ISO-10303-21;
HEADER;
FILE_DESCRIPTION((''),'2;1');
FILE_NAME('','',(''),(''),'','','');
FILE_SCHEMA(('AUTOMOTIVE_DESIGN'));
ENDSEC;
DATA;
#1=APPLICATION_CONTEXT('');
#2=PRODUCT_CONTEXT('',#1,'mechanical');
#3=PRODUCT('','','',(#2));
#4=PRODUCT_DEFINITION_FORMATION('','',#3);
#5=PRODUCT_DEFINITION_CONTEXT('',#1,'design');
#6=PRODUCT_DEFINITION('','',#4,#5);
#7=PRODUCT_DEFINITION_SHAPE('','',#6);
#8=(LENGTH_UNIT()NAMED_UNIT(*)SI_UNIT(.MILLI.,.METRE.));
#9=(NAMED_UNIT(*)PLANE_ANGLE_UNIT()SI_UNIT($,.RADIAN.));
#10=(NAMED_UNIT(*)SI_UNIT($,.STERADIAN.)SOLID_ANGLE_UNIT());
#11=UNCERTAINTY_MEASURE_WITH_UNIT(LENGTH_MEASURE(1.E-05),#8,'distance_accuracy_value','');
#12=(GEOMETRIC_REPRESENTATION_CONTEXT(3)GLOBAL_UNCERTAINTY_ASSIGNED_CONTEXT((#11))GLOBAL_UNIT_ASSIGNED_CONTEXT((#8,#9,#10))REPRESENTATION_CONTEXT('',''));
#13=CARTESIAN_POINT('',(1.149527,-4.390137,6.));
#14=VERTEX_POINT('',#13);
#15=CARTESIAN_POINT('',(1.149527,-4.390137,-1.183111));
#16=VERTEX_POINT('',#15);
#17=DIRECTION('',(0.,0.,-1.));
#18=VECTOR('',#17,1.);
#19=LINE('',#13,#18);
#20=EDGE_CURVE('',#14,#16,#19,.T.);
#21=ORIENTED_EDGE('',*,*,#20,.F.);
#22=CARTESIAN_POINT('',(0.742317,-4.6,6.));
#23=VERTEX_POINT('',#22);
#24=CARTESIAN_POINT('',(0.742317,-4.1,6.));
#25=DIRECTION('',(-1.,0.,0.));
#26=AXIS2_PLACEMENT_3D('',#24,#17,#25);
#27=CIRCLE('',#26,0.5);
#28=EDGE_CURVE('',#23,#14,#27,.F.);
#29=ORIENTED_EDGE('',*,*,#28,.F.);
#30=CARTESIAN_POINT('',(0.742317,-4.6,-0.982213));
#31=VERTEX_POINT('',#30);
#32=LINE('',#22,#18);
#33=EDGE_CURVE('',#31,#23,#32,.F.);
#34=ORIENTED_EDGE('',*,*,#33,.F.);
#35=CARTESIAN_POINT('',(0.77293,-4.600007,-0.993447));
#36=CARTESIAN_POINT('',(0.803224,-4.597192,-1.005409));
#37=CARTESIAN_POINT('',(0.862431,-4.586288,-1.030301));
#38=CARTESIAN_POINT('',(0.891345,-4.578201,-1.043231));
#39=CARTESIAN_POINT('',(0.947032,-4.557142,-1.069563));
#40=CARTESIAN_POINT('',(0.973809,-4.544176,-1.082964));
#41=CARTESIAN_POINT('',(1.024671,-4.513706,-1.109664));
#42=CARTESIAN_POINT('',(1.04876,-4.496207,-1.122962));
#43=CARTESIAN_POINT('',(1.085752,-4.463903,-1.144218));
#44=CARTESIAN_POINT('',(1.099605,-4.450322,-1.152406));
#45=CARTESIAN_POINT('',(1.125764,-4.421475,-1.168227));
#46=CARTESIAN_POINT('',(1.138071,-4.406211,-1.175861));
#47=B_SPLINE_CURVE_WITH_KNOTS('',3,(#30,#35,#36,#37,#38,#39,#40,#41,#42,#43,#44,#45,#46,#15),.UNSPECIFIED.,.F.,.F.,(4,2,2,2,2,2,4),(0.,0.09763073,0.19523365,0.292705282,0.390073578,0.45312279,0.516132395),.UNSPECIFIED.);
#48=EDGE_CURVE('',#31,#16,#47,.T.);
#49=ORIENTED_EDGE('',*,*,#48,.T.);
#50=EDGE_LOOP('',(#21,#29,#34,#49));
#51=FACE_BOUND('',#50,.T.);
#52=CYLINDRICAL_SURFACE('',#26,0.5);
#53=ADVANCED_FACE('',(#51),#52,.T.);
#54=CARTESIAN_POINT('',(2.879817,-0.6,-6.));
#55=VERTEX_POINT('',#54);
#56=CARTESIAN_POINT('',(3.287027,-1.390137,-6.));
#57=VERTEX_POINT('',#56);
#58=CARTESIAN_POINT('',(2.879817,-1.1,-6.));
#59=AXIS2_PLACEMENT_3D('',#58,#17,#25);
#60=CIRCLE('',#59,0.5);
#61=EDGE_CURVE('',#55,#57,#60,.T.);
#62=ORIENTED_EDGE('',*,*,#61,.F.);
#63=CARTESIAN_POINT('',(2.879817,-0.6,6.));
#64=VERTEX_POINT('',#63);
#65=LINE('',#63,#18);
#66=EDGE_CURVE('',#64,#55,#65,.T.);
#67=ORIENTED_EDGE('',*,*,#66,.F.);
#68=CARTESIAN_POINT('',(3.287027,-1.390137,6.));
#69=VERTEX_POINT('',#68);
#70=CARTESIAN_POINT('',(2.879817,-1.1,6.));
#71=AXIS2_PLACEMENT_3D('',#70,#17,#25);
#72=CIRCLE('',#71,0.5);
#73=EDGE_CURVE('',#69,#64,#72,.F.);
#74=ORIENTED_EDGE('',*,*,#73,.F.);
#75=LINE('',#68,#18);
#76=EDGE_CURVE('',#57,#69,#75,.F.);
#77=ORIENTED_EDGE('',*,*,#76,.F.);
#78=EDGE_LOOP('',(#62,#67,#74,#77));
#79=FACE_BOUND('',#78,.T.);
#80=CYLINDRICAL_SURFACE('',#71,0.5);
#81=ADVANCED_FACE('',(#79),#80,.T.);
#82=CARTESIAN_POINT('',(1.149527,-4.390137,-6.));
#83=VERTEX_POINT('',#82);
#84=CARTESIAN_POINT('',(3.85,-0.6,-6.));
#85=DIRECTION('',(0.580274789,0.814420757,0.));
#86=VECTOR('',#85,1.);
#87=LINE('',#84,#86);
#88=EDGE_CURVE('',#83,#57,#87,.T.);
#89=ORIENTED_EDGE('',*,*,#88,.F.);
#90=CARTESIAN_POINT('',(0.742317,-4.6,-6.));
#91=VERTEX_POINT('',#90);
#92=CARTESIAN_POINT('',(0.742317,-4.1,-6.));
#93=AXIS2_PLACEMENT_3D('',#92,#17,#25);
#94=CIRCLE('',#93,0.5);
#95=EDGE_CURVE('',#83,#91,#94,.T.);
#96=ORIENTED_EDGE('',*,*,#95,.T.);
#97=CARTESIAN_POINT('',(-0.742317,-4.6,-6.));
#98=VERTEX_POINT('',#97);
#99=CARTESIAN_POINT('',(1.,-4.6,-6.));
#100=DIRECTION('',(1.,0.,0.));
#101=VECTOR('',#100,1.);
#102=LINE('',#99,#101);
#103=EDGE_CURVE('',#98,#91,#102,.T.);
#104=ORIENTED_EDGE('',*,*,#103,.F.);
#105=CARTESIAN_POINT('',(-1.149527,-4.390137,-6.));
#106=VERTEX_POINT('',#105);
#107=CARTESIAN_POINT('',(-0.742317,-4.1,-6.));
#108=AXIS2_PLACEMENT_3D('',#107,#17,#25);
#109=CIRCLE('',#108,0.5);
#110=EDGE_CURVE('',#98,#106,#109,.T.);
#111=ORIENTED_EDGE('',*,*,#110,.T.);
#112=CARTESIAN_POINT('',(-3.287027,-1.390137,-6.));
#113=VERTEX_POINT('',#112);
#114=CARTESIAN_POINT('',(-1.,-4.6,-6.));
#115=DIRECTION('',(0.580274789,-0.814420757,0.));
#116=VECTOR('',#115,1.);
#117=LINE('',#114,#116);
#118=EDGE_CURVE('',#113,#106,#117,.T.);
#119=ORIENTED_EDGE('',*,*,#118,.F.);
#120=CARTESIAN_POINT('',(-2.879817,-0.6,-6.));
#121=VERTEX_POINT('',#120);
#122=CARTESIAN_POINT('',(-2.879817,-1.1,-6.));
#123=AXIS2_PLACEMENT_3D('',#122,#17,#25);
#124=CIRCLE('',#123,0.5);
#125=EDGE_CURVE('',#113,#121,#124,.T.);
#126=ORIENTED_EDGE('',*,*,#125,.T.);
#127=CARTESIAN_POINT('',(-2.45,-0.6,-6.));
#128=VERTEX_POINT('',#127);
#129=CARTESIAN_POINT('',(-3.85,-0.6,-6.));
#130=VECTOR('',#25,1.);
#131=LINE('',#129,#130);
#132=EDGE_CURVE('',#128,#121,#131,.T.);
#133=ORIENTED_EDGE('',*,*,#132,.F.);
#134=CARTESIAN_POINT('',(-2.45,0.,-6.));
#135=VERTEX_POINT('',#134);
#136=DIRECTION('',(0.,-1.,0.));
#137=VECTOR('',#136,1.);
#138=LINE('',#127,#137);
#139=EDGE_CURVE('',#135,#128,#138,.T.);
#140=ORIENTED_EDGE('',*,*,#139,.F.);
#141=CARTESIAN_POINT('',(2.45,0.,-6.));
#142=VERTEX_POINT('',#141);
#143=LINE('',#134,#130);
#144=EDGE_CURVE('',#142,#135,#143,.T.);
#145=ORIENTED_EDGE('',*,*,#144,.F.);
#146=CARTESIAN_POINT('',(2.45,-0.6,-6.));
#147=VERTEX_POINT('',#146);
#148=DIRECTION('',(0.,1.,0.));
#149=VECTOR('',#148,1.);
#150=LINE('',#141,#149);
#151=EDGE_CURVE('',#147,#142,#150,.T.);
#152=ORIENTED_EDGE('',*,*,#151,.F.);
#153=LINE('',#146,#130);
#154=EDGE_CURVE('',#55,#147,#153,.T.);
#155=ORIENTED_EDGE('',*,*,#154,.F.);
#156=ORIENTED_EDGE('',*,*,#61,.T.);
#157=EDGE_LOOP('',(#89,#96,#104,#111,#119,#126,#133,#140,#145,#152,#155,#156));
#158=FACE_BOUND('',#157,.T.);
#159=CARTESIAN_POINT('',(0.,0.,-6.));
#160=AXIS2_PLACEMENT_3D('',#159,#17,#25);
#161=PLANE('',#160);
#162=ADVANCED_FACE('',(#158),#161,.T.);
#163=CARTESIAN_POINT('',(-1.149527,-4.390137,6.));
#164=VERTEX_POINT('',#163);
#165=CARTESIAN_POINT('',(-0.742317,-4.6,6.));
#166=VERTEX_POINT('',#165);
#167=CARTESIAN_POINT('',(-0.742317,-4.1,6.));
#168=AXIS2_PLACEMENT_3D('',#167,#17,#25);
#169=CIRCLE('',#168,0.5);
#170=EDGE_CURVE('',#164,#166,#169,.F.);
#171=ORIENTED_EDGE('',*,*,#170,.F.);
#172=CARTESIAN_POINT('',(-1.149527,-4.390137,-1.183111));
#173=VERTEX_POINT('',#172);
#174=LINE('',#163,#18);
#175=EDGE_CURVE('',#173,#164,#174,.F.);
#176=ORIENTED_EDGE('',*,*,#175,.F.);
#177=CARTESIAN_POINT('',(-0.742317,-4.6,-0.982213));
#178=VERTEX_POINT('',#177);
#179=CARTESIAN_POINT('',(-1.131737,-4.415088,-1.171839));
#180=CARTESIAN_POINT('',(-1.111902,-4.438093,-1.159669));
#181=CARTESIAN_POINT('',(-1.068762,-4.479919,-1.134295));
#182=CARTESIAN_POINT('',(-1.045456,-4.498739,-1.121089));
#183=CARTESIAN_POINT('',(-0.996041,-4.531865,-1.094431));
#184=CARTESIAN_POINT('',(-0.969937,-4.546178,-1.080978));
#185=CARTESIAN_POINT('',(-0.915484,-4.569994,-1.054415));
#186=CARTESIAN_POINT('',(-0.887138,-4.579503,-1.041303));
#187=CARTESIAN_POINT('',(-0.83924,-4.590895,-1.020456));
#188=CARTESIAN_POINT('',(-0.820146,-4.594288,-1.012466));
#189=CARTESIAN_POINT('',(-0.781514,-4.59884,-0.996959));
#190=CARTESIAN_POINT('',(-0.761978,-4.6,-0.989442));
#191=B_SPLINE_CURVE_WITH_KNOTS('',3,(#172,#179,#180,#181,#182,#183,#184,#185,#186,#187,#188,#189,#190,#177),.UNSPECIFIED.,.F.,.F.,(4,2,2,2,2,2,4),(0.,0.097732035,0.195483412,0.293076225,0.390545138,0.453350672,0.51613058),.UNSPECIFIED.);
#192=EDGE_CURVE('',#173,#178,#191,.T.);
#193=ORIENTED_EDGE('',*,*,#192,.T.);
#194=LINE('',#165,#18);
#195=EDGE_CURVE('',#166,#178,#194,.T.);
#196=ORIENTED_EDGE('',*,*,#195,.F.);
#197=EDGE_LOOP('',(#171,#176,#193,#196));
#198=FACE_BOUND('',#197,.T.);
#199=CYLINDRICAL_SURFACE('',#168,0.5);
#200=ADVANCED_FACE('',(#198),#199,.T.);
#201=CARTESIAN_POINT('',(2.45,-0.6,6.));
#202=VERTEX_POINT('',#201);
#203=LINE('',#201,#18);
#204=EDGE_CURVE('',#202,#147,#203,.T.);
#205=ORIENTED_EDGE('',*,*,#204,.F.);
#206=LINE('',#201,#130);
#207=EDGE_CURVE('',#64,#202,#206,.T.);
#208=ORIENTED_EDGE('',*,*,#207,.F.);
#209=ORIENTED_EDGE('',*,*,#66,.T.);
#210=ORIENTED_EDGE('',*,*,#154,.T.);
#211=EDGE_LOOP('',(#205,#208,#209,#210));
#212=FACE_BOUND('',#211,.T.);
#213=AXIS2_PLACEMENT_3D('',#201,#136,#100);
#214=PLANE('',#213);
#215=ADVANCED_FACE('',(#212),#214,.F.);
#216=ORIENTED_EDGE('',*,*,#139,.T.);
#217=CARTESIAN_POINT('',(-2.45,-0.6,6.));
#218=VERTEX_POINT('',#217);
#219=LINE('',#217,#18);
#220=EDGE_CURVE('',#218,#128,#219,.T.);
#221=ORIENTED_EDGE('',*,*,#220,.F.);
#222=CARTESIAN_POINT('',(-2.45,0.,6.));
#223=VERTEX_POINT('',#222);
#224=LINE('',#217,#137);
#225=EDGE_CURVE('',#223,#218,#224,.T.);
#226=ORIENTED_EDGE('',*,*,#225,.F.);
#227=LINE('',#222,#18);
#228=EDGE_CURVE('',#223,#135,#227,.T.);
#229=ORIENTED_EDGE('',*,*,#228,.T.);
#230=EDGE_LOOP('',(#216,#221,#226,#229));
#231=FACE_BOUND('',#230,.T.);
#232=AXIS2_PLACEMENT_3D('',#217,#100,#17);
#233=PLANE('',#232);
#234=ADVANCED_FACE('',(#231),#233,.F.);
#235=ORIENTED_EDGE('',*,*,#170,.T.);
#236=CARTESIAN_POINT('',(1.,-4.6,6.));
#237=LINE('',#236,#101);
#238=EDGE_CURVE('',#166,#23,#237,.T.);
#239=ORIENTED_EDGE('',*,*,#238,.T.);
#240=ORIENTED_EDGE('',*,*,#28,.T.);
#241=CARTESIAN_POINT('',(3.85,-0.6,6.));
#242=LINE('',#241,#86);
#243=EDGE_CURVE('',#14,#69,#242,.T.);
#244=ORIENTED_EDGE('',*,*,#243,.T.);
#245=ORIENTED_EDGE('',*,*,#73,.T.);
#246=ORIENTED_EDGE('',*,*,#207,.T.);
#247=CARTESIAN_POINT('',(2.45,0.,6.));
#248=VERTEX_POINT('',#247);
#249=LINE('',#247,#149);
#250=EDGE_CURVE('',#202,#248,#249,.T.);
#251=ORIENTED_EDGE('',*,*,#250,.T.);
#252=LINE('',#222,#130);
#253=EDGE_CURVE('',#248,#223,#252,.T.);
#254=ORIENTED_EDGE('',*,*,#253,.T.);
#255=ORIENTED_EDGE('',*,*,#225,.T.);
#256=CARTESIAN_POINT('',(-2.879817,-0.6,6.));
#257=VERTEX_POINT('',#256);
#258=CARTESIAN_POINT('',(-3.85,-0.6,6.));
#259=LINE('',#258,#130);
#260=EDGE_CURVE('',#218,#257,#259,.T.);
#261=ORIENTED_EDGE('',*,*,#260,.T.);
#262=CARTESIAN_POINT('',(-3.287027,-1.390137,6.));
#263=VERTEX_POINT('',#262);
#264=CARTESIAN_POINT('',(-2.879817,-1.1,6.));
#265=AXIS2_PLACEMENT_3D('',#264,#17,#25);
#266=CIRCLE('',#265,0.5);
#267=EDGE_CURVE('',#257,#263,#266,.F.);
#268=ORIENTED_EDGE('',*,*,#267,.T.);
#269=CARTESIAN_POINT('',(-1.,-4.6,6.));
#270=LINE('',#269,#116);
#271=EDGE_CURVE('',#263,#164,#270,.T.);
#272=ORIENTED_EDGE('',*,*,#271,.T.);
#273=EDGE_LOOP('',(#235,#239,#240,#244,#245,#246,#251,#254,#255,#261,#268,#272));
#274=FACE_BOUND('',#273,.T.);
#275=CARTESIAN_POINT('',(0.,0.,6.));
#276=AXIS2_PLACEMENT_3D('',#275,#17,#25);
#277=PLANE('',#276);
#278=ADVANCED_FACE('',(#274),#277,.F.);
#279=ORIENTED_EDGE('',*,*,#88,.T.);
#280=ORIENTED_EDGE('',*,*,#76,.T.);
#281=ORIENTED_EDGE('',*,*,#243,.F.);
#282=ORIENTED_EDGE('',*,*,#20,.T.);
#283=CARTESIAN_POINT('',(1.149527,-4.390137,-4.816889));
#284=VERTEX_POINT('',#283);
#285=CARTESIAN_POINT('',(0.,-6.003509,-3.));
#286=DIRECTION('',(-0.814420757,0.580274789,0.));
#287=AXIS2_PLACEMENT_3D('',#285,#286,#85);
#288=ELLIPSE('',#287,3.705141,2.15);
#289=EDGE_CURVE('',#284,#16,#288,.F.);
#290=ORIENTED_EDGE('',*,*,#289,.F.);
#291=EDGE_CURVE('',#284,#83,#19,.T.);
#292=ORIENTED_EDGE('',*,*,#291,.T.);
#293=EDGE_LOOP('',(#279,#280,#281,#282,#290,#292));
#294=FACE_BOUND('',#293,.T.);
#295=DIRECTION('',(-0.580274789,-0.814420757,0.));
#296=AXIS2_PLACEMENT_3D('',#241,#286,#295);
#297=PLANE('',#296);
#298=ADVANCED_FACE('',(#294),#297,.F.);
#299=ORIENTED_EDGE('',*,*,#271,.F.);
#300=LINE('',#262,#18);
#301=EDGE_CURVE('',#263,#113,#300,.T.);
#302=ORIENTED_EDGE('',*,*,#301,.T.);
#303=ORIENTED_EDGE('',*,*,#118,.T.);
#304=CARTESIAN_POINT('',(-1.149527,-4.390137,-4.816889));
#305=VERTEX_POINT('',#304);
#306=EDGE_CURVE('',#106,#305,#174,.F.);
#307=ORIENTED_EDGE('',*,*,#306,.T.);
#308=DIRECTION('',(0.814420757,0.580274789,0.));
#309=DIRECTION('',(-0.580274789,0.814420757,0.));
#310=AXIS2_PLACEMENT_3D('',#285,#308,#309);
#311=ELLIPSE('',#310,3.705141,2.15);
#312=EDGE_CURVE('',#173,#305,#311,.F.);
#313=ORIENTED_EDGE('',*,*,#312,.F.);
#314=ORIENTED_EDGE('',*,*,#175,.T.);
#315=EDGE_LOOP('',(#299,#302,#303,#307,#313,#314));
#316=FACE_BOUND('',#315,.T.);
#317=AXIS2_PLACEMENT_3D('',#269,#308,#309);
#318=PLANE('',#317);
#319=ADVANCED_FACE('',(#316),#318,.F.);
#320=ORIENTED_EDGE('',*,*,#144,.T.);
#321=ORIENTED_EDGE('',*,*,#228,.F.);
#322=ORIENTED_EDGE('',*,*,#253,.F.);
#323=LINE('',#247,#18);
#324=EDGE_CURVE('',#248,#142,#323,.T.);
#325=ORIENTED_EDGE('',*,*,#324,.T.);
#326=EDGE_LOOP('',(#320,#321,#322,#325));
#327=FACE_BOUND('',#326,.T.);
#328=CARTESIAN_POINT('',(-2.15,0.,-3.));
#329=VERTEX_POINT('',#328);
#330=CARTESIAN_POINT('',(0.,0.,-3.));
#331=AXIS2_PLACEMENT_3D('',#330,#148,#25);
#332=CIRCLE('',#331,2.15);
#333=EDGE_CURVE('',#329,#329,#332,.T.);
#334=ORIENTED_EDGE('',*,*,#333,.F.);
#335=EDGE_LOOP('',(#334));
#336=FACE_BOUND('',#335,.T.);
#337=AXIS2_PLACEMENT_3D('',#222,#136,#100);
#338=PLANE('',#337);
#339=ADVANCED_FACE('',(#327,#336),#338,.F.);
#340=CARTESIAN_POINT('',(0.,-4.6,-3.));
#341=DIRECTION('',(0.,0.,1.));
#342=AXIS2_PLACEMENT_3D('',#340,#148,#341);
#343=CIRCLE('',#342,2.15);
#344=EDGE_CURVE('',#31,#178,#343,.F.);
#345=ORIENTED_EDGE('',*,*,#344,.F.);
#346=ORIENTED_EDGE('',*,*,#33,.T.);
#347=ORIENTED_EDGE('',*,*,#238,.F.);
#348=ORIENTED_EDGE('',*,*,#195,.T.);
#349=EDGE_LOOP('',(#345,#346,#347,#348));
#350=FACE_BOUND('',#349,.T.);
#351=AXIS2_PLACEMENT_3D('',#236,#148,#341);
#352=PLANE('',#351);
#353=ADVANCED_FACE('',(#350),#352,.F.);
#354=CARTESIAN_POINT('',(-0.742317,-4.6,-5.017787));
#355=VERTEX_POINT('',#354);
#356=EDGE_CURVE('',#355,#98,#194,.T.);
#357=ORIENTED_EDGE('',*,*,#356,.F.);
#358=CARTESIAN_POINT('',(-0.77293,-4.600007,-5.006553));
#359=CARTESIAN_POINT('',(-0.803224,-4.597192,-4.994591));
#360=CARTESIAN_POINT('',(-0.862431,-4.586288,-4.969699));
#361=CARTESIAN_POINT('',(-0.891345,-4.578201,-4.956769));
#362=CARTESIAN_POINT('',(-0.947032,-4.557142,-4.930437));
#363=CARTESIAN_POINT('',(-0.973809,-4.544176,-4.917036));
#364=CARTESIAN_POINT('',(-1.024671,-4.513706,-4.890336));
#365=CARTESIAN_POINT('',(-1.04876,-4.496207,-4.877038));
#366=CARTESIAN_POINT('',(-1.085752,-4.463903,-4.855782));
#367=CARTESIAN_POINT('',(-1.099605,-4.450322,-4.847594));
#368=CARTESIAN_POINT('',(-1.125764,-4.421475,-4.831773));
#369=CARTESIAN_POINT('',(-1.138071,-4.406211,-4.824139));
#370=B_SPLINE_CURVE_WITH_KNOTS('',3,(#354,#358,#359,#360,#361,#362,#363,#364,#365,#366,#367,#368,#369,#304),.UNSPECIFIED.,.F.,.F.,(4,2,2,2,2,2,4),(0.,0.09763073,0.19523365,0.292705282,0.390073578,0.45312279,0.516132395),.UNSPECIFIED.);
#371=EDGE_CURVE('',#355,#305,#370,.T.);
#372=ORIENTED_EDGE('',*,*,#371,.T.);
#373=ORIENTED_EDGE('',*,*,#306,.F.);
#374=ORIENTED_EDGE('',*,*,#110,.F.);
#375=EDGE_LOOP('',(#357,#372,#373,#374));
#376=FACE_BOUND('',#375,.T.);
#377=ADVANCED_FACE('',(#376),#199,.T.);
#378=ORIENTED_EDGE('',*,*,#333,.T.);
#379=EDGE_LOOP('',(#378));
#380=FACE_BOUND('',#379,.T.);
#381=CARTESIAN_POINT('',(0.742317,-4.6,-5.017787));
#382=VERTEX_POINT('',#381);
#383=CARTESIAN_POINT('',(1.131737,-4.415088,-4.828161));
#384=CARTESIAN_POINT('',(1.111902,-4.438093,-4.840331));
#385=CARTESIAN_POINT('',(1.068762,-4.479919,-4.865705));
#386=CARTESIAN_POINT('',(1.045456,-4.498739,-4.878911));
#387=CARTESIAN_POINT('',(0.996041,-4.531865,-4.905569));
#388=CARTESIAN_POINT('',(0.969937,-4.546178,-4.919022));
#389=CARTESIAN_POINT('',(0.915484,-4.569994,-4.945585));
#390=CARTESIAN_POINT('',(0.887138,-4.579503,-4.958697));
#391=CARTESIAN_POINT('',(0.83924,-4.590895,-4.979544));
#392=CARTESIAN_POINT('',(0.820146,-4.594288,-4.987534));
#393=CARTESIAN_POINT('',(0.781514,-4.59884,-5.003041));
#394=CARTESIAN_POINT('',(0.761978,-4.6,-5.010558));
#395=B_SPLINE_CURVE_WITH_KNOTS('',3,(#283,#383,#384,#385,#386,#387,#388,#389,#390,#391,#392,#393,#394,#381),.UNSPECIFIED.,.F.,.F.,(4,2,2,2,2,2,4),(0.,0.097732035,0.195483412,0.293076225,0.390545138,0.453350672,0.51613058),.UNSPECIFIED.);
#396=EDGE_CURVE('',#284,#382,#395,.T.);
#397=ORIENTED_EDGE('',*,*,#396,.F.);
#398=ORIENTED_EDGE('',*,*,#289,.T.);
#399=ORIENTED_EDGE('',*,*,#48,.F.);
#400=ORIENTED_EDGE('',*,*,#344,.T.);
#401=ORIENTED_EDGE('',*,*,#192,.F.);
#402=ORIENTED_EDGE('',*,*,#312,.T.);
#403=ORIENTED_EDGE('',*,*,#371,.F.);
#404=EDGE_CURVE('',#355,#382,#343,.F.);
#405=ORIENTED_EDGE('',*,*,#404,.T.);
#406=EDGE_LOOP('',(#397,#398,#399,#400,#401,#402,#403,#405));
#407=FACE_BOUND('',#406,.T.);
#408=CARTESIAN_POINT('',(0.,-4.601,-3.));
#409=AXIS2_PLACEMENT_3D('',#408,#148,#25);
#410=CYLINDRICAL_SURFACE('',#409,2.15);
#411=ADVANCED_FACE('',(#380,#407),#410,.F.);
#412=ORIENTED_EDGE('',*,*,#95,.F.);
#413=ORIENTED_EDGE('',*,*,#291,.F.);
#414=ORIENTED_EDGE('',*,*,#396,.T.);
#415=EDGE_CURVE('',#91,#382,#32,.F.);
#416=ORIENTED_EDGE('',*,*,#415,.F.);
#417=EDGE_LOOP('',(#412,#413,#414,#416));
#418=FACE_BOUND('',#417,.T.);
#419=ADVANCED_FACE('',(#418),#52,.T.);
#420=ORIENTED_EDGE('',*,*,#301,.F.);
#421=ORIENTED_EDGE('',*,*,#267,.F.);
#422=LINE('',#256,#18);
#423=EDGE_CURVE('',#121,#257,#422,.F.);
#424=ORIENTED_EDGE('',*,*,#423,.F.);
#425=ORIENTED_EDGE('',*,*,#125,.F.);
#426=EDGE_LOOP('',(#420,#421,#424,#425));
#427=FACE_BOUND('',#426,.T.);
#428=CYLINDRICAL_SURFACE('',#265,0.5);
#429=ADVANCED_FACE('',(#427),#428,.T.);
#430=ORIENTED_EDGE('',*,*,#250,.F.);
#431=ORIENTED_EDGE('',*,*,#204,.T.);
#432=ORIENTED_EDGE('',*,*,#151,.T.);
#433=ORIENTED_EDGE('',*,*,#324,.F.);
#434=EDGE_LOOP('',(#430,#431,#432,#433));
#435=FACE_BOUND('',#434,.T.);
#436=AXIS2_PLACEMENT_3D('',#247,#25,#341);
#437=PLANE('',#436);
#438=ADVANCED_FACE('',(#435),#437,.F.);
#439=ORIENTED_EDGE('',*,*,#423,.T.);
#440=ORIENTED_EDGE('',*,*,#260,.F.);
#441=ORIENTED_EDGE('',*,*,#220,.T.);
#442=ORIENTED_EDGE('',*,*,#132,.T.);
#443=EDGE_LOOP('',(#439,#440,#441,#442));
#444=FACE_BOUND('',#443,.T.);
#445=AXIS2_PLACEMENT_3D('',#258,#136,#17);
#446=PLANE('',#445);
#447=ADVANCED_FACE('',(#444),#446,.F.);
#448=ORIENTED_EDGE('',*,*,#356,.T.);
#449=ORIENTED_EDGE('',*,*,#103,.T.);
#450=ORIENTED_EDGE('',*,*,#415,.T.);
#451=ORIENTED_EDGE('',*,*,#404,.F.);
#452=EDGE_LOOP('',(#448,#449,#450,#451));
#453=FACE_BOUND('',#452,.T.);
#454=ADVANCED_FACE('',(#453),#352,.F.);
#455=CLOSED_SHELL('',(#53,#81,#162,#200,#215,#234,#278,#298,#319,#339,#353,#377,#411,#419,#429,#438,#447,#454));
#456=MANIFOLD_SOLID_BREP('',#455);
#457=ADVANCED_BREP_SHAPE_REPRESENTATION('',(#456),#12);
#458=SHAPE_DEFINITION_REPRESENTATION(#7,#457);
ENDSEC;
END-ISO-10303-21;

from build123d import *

# Parameters (mm, degrees)
BOSS_EXTRU_1_DEPTH      = 6
CONG_1_R                = 0.5
ENL_V_MAT_EXTRU_1_REACH = 10.281
ESQUISSE2_R             = 2.15


with BuildPart() as part:
    # Esquisse1 → Boss.-Extru.1 (new, symmetric)
    with BuildSketch(Plane.XY):
        Polygon((-2.45, 0), (2.45, 0), (2.45, -0.6), (3.85, -0.6), (1, -4.6), (-1, -4.6), (-3.85, -0.6), (-2.45, -0.6), align=None)
    extrude(amount=BOSS_EXTRU_1_DEPTH, both=True)

    # Congé1
    cong_1_edges = [part.edges().sort_by_distance(p)[0] for p in [
        (3.85, -0.6, 0),
        (1, -4.6, 0),
        (-1, -4.6, 0),
        (-3.85, -0.6, 0),
    ]]
    fillet(cong_1_edges, radius=CONG_1_R)

    # Esquisse2 → Enlèv. mat.-Extru.1 (cut, up to next)
    with BuildSketch(Plane(origin=(0, 0, 0), x_dir=(1, 0, 0), z_dir=(0, 1, 0)), mode=Mode.PRIVATE) as enl_v_mat_extru_1_sk1:
        with Locations(Location((0, 3, 0), (0, 0, 180))):
            Circle(ESQUISSE2_R)
    enl_v_mat_extru_1_tool1 = extrude(enl_v_mat_extru_1_sk1.sketch, amount=-ENL_V_MAT_EXTRU_1_REACH, mode=Mode.PRIVATE) & part.part
    add(enl_v_mat_extru_1_tool1.solids().sort_by_distance((0, 0, -3))[0], mode=Mode.SUBTRACT)


solid = part.part
